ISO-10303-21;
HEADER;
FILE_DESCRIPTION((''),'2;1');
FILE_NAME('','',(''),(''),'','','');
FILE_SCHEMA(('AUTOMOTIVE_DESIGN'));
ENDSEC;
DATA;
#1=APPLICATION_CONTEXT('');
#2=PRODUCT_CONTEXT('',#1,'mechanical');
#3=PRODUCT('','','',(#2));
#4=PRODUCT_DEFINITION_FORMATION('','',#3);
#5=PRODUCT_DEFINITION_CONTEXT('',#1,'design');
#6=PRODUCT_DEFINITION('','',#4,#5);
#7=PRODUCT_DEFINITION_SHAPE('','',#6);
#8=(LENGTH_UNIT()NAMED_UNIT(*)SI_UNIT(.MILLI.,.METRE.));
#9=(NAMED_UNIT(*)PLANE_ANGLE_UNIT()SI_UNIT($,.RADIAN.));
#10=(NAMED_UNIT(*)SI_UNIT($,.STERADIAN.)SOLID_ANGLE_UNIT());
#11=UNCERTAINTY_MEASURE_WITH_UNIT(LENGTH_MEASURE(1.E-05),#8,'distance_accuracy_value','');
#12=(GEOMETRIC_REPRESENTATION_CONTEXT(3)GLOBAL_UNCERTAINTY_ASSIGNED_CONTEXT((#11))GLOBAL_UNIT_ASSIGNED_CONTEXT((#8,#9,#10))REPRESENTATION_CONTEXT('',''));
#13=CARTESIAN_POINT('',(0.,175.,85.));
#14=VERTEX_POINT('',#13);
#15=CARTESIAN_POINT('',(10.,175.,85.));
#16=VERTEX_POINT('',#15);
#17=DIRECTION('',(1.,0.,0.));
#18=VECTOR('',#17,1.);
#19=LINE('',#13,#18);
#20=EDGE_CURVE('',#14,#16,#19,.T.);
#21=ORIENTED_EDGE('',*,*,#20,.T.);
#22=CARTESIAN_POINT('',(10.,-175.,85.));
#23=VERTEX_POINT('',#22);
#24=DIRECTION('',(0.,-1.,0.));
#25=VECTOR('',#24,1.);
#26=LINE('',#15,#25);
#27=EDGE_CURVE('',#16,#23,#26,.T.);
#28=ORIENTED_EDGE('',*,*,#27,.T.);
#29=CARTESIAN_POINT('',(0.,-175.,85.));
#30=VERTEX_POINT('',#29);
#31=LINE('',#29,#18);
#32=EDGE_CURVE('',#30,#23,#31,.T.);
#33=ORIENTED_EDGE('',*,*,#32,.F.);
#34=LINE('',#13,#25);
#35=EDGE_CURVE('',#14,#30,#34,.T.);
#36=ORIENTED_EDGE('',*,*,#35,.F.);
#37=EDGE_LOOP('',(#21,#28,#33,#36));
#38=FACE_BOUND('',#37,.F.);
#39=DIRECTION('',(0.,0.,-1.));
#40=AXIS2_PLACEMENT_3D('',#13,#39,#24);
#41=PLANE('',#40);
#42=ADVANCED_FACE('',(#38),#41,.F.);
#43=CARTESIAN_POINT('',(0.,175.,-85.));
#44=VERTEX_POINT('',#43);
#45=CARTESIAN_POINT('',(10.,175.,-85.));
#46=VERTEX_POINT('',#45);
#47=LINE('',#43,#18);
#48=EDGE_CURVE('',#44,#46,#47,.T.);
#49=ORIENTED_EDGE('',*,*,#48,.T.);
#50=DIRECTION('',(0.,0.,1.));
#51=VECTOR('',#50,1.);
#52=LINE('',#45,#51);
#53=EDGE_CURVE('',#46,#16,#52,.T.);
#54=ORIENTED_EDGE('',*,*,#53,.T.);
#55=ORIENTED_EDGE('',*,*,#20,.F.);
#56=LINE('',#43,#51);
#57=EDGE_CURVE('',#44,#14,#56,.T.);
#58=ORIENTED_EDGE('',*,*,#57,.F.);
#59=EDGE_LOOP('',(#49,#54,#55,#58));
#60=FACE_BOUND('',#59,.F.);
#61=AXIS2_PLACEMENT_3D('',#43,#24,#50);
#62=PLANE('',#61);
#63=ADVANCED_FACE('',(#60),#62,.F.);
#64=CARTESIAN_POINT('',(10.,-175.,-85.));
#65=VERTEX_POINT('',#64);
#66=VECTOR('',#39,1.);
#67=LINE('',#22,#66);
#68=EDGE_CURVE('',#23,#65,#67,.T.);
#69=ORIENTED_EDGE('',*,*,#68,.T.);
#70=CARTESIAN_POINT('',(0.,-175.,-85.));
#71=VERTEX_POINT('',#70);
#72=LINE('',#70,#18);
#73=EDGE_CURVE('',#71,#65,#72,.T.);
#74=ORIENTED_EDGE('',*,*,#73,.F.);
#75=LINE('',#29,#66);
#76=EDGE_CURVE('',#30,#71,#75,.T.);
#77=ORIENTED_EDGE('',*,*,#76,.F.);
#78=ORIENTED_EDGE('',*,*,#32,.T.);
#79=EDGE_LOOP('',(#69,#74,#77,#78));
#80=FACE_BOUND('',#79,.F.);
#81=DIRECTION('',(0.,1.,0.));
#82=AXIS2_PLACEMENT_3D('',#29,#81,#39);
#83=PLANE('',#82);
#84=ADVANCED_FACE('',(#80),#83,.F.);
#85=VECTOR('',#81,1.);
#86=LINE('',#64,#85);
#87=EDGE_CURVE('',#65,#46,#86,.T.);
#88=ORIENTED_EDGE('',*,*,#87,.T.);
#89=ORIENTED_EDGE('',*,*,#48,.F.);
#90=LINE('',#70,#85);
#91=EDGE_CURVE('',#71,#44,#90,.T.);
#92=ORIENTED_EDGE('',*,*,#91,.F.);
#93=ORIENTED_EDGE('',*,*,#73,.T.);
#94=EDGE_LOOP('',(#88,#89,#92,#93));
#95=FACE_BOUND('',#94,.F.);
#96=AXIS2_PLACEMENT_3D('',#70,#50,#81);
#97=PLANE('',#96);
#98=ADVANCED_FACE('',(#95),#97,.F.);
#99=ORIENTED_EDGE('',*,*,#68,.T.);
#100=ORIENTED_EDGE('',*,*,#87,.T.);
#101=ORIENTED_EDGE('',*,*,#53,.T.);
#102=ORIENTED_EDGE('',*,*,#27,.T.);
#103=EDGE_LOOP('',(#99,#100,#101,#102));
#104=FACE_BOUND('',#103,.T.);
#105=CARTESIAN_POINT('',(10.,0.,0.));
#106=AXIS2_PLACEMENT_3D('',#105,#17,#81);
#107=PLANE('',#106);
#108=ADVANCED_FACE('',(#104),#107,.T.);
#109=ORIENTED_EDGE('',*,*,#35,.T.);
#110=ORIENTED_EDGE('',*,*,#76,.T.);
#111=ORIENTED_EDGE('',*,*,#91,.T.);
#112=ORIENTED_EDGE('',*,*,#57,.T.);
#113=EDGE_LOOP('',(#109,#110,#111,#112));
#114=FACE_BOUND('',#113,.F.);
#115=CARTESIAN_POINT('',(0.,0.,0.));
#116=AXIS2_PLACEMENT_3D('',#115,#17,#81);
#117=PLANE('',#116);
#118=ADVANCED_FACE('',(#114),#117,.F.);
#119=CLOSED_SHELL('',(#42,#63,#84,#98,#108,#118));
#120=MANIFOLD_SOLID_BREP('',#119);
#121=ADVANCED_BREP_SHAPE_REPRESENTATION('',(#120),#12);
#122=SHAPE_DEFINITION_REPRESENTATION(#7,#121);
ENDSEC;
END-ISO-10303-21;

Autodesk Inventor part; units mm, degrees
ref_plane "YZ Plane" through (0, 0, 0) normal (1, 0, 0) x (0, 1, 0)
ref_plane "XZ Plane" through (0, 0, 0) normal (0, 1, 0) x (-1, 0, 0)
ref_plane "XY Plane" through (0, 0, 0) normal (0, 0, 1) x (1, 0, 0)
sketch "Sketch1" plane through (0, 0, 0) normal (1, 0, 0) x (0, 1, 0)
  line L0 (175, 85) -> (-175, 85)
  line L1 (-175, 85) -> (-175, -85)
  line L2 (-175, -85) -> (175, -85)
  line L3 (175, -85) -> (175, 85)
  line L4 (175, 85) -> (-175, -85) construction
  line L5 (-175, 85) -> (175, -85) construction
  point P0 (0, 0)
  dimension "d0" = 350
  dimension "d1" = 170
extrude "Extrusion1" add sketch "Sketch1" along normal blind 10
